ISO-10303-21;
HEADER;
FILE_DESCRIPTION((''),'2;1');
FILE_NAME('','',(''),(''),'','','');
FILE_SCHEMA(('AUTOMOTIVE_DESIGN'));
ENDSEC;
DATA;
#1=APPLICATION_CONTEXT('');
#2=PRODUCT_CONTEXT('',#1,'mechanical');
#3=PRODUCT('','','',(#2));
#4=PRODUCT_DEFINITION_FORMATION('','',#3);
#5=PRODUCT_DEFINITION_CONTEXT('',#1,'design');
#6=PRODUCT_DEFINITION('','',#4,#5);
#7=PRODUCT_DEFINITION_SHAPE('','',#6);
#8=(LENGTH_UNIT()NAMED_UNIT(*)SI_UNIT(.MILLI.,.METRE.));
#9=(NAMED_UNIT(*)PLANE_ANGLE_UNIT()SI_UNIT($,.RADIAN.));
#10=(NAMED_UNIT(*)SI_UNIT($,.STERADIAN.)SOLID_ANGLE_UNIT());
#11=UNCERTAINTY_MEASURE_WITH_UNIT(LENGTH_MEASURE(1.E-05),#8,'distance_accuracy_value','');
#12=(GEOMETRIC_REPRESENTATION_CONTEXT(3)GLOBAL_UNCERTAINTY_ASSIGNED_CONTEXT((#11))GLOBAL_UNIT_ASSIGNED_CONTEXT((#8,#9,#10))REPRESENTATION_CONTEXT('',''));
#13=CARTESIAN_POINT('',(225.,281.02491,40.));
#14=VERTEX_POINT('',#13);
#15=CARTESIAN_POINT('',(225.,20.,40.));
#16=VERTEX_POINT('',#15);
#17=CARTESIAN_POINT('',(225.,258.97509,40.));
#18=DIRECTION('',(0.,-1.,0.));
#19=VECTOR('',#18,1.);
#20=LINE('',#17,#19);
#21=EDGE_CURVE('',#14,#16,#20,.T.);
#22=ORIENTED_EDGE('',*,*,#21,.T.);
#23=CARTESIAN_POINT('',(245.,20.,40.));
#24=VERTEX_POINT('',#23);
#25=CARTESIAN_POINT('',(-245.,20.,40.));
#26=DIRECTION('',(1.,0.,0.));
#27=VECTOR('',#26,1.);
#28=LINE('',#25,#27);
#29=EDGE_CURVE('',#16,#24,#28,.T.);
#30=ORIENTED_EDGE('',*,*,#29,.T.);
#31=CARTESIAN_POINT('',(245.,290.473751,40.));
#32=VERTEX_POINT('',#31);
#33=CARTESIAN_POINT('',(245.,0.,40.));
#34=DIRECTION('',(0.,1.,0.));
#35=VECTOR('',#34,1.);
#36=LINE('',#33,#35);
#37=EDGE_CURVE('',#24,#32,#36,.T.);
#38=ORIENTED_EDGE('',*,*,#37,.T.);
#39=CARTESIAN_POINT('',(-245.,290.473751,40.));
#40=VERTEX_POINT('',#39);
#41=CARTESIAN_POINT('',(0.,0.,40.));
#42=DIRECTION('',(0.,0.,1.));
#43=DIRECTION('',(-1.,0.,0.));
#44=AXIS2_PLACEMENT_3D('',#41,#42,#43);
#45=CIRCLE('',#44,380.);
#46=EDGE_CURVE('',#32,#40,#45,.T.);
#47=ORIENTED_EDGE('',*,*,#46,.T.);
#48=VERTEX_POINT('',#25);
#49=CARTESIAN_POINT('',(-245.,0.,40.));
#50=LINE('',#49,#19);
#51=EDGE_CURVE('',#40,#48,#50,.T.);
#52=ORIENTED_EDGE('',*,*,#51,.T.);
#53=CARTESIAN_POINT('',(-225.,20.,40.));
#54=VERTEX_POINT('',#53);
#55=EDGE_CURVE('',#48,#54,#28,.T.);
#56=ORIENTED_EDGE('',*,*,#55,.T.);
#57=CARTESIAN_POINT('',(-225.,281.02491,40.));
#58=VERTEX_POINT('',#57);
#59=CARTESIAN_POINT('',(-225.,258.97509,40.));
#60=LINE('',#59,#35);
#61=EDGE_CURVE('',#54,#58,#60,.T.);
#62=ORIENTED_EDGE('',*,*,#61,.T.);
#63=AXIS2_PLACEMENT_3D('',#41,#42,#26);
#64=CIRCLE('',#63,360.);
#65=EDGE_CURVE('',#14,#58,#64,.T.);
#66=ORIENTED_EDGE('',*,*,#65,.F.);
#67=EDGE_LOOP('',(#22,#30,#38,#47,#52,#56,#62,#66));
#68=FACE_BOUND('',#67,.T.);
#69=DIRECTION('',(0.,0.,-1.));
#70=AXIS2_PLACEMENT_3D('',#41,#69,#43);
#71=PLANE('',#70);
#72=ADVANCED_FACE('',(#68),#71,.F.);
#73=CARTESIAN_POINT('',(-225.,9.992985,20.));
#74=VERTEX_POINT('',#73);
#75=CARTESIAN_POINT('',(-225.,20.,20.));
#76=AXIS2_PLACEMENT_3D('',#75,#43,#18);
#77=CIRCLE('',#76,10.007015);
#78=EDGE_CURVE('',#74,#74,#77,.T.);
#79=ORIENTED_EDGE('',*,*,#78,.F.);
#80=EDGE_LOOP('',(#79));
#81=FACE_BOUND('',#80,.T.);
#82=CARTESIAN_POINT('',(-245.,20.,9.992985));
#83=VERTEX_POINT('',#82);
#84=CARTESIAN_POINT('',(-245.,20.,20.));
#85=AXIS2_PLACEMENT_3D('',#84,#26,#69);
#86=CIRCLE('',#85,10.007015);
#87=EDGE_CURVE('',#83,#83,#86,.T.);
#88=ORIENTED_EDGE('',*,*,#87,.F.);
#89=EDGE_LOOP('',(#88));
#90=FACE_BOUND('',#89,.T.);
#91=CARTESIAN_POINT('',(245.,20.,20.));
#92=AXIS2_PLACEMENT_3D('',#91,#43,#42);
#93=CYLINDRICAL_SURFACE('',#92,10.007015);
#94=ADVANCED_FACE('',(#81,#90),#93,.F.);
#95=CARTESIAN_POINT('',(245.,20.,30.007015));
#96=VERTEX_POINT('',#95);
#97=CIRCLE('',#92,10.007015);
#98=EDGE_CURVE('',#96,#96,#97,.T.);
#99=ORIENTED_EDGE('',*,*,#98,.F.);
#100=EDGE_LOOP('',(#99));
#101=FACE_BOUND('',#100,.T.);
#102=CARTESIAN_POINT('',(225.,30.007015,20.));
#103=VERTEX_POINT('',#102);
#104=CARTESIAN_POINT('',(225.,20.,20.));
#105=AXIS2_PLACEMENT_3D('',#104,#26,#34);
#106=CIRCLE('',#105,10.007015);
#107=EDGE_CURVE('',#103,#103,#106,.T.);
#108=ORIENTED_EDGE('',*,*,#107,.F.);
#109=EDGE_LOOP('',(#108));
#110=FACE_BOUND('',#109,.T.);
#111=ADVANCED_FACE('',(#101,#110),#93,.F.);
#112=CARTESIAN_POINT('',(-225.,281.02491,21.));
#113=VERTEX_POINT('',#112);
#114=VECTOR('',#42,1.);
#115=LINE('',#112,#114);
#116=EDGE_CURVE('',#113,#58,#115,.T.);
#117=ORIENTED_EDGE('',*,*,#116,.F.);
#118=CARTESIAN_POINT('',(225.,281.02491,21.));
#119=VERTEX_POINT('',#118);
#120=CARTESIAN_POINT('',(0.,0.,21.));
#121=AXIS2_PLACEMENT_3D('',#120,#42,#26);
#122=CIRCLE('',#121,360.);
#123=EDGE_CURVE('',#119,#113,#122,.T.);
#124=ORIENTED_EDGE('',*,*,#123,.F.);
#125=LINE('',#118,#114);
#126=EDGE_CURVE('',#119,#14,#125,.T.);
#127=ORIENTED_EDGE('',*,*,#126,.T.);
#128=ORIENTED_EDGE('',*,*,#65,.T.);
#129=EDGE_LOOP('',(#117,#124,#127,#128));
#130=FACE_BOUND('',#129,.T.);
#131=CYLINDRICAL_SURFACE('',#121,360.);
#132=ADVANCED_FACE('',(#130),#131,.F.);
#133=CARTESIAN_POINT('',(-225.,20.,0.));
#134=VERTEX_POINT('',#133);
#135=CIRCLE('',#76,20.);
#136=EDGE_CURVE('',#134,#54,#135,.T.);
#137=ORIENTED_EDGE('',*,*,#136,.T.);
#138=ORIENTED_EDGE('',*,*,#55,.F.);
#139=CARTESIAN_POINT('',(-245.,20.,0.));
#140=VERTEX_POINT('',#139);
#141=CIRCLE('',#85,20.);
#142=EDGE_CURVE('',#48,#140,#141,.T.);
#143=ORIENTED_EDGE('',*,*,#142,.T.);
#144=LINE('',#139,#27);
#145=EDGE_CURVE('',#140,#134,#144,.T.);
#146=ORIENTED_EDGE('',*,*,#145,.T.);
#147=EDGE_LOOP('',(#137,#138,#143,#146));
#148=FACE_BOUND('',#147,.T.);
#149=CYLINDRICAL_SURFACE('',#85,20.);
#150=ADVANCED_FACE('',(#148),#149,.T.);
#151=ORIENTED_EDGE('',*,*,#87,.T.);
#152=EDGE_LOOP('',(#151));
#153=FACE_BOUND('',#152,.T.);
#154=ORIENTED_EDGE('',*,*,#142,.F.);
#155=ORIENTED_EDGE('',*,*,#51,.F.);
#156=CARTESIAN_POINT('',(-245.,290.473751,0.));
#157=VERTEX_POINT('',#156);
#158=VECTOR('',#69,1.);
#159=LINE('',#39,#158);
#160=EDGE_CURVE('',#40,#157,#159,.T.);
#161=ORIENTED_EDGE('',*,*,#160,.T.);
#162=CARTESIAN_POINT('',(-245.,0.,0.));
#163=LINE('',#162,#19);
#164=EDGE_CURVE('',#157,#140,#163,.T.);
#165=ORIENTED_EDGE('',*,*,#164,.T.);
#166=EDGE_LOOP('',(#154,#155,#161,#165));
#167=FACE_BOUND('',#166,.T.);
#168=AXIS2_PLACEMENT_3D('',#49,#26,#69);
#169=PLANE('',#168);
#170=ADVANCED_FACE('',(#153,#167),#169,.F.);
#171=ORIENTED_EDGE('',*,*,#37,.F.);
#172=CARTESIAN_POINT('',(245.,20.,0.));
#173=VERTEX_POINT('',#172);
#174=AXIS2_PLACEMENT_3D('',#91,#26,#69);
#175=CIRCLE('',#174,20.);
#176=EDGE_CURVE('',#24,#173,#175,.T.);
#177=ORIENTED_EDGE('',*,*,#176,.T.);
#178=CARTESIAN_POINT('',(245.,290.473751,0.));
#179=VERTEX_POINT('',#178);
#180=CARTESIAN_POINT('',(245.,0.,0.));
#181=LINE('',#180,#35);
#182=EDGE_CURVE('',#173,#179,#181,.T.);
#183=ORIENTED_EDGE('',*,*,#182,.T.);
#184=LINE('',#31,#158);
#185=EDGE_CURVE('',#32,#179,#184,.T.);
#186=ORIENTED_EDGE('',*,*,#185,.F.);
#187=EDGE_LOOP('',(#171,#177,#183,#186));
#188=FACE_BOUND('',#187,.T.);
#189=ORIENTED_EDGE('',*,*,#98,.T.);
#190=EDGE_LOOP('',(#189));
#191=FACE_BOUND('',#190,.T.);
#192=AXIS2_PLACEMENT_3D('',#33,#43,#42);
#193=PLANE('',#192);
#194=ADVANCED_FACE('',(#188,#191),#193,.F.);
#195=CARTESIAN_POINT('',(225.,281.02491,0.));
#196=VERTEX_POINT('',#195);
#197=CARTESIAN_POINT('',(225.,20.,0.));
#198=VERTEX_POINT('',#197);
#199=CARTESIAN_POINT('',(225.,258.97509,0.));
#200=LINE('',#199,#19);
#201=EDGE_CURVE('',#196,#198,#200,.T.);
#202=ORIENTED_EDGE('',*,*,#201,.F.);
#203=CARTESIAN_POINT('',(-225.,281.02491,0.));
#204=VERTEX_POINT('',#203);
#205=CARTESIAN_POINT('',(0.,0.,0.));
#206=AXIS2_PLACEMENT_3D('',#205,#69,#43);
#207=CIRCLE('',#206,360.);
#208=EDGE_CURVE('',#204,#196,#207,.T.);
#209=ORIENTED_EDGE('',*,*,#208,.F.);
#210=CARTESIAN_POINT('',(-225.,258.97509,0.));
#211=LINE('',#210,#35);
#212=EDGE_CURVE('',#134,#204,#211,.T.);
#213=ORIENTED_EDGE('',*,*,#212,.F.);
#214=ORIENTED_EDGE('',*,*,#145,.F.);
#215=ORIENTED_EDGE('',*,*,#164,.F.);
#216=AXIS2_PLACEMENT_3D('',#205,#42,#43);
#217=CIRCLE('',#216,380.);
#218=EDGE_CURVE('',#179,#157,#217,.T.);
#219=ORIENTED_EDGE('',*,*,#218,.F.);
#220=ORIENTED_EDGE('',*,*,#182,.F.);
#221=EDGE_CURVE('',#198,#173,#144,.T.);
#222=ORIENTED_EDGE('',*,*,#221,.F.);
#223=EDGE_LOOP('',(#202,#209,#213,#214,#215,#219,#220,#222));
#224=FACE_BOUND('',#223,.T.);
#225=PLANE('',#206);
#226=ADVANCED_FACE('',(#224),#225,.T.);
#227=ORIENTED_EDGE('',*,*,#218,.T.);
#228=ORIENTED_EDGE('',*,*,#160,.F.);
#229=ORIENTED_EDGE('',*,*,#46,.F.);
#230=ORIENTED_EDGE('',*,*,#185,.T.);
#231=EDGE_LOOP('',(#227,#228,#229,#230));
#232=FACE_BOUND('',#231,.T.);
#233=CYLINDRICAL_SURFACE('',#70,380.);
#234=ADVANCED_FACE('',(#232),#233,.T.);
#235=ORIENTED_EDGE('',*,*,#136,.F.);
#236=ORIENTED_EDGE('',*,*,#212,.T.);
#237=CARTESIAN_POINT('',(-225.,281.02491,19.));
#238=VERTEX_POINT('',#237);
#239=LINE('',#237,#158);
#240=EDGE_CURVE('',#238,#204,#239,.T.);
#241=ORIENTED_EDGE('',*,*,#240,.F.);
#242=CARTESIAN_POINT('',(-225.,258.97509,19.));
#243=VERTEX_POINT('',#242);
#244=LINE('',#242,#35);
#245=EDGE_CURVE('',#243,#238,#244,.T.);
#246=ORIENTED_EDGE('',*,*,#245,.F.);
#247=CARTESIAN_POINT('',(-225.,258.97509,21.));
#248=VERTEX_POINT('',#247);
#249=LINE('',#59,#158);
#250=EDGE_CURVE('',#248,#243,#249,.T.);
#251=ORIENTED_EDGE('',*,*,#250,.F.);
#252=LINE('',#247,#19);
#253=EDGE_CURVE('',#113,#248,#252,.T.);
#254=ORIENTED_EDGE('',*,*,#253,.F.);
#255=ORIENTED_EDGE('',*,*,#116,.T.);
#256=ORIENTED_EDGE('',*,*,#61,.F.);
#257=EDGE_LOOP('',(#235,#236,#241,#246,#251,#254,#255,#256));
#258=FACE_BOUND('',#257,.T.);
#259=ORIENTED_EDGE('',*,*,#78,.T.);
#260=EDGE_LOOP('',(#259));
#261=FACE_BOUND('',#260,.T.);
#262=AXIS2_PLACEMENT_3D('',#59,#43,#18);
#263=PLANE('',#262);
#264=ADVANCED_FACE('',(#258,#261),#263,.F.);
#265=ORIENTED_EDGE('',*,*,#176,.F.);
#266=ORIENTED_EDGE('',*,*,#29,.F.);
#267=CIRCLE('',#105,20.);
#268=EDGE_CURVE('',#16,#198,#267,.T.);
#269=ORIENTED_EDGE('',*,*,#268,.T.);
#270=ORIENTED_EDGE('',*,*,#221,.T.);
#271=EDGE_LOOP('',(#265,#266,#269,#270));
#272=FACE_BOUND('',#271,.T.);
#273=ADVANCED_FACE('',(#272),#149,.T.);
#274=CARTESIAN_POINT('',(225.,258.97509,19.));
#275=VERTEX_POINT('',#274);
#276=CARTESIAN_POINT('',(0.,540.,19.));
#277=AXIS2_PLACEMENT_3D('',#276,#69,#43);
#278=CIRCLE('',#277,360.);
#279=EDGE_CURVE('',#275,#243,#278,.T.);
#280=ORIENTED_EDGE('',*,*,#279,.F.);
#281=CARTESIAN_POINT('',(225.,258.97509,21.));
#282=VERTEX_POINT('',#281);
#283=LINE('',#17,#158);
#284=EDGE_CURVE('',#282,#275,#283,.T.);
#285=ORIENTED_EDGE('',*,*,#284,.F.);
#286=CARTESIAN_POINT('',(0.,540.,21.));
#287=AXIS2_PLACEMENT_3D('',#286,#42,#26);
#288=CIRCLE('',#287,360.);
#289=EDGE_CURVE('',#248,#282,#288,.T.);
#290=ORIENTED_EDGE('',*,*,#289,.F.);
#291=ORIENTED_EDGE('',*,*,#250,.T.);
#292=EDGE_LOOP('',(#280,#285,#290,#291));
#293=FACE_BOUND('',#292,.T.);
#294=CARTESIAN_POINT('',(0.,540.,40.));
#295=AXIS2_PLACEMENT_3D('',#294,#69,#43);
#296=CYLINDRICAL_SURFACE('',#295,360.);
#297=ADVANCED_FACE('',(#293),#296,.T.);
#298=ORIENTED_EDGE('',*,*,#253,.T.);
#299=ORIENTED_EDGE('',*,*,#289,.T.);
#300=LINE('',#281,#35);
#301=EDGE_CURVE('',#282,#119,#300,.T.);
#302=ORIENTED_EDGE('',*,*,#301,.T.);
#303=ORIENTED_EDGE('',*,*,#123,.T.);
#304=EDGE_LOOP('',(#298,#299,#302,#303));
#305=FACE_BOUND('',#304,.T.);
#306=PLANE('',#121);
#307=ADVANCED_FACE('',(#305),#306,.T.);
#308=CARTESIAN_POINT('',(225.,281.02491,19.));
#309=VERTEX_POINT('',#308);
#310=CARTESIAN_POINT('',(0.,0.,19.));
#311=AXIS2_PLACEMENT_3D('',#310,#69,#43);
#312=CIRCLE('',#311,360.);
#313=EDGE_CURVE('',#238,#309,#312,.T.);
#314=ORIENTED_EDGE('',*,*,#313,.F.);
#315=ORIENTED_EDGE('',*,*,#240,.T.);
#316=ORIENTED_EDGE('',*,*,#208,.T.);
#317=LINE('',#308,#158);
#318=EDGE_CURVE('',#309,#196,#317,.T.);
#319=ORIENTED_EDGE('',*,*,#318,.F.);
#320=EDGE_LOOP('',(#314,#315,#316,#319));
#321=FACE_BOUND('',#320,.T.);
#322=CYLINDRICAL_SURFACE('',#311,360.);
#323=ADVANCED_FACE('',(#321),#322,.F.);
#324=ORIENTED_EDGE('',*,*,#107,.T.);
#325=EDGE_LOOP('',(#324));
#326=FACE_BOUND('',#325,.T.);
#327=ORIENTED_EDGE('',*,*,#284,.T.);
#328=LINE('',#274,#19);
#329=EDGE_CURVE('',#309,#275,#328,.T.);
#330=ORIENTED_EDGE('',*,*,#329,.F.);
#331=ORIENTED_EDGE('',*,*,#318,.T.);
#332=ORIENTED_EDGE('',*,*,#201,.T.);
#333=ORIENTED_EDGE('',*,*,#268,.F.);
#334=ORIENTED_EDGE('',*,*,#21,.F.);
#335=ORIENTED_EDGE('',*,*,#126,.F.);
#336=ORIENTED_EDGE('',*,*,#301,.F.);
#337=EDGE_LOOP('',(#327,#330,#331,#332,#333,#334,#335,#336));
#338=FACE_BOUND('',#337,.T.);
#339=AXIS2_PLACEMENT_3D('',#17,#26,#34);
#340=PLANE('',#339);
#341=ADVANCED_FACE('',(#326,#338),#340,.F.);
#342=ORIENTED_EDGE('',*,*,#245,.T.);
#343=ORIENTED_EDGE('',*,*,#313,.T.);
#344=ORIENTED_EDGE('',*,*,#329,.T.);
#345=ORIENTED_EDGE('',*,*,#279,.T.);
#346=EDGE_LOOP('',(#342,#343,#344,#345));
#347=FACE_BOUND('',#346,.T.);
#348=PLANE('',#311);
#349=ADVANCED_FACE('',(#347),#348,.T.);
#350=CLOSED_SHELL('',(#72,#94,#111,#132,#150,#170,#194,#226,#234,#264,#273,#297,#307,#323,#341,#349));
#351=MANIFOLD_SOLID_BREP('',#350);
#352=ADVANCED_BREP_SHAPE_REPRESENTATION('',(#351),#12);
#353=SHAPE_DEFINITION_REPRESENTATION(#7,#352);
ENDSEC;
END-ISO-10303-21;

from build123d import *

# Parameters (mm, degrees)
EXTRUDE_1_DEPTH          = 40
CUT_EXTRUDE_1_DEPTH      = 19
CUT_EXTRUDE_START        = -19
CUT_EXTRUDE_2_DEPTH      = 19
CUT_EXTRUDE_3_DEPTH      = 622.369455316
CUT_EXTRUDE_4_DEPTH      = 622.369455316
CUT_EXTRUDE_4_DEPTH_BACK = 622.369455316
SKETCH_5_R               = 10.007014795


with BuildPart() as part:
    # 草图1 → 凸台-拉伸1 (new body)
    with BuildSketch(Plane.XY):
        with BuildLine():
            Line((245, 0), (245, 290.473750966))
            ThreePointArc((245, 290.473750966), (0, 380), (-245, 290.473750966))
            Line((-245, 290.473750966), (-245, 0))
            Line((-245, 0), (-225, 0))
            Line((-225, 0), (-225, 258.975090072))
            ThreePointArc((-225, 258.975090072), (0, 180), (225, 258.975090072))
            Line((225, 258.975090072), (225, 0))
            Line((225, 0), (245, 0))
        make_face()
    extrude(amount=EXTRUDE_1_DEPTH)

    # 草图2 → 切除-拉伸1 (cut)
    with BuildSketch(Plane(origin=(0, 0, 0), x_dir=(-1, 0, 0), z_dir=(0, 0, -1))):
        with BuildLine():
            Line((225, 258.975090072), (225, 281.024909928))
            ThreePointArc((225, 281.024909928), (0, 360), (-225, 281.024909928))
            Line((-225, 281.024909928), (-225, 258.975090072))
            ThreePointArc((-225, 258.975090072), (0, 180), (225, 258.975090072))
        make_face()
    extrude(amount=-CUT_EXTRUDE_1_DEPTH, mode=Mode.SUBTRACT)

    # 草图3 → 切除-拉伸2 (cut)
    with BuildSketch(Plane.XY.offset(40).offset(CUT_EXTRUDE_START)):
        with BuildLine():
            Line((225, 258.975090072), (225, 281.024909928))
            ThreePointArc((225, 281.024909928), (0, 360), (-225, 281.024909928))
            Line((-225, 281.024909928), (-225, 258.975090072))
            ThreePointArc((-225, 258.975090072), (0, 180), (225, 258.975090072))
        make_face()
    extrude(amount=CUT_EXTRUDE_2_DEPTH, mode=Mode.SUBTRACT)

    # 草图4 → 切除-拉伸3 (cut, through all)
    with BuildSketch(Plane(origin=(245, 0, 0), x_dir=(0, 0, -1), z_dir=(1, 0, 0))):
        with BuildLine():
            ThreePointArc((-20, 0), (-34.142135624, 5.857864376), (-40, 20))
            Line((-40, 20), (-40, 0))
            Line((-40, 0), (-20, 0))
        make_face()
        with BuildLine():
            ThreePointArc((0, 20), (-5.857864376, 5.857864376), (-20, 0))
            Line((-20, 0), (0, 0))
            Line((0, 0), (0, 20))
        make_face()
    extrude(amount=-CUT_EXTRUDE_3_DEPTH, mode=Mode.SUBTRACT)

    # 草图5 → 切除-拉伸4 (cut, two sides: drawn at the far end of the back side and taken through both)
    with BuildSketch(Plane.ZY.offset(245).offset(-CUT_EXTRUDE_4_DEPTH_BACK)):
        with Locations(Location((20, 20, 0), (0, 0, 270))):
            Circle(SKETCH_5_R)
    extrude(amount=CUT_EXTRUDE_4_DEPTH + CUT_EXTRUDE_4_DEPTH_BACK, mode=Mode.SUBTRACT)


solid = part.part
